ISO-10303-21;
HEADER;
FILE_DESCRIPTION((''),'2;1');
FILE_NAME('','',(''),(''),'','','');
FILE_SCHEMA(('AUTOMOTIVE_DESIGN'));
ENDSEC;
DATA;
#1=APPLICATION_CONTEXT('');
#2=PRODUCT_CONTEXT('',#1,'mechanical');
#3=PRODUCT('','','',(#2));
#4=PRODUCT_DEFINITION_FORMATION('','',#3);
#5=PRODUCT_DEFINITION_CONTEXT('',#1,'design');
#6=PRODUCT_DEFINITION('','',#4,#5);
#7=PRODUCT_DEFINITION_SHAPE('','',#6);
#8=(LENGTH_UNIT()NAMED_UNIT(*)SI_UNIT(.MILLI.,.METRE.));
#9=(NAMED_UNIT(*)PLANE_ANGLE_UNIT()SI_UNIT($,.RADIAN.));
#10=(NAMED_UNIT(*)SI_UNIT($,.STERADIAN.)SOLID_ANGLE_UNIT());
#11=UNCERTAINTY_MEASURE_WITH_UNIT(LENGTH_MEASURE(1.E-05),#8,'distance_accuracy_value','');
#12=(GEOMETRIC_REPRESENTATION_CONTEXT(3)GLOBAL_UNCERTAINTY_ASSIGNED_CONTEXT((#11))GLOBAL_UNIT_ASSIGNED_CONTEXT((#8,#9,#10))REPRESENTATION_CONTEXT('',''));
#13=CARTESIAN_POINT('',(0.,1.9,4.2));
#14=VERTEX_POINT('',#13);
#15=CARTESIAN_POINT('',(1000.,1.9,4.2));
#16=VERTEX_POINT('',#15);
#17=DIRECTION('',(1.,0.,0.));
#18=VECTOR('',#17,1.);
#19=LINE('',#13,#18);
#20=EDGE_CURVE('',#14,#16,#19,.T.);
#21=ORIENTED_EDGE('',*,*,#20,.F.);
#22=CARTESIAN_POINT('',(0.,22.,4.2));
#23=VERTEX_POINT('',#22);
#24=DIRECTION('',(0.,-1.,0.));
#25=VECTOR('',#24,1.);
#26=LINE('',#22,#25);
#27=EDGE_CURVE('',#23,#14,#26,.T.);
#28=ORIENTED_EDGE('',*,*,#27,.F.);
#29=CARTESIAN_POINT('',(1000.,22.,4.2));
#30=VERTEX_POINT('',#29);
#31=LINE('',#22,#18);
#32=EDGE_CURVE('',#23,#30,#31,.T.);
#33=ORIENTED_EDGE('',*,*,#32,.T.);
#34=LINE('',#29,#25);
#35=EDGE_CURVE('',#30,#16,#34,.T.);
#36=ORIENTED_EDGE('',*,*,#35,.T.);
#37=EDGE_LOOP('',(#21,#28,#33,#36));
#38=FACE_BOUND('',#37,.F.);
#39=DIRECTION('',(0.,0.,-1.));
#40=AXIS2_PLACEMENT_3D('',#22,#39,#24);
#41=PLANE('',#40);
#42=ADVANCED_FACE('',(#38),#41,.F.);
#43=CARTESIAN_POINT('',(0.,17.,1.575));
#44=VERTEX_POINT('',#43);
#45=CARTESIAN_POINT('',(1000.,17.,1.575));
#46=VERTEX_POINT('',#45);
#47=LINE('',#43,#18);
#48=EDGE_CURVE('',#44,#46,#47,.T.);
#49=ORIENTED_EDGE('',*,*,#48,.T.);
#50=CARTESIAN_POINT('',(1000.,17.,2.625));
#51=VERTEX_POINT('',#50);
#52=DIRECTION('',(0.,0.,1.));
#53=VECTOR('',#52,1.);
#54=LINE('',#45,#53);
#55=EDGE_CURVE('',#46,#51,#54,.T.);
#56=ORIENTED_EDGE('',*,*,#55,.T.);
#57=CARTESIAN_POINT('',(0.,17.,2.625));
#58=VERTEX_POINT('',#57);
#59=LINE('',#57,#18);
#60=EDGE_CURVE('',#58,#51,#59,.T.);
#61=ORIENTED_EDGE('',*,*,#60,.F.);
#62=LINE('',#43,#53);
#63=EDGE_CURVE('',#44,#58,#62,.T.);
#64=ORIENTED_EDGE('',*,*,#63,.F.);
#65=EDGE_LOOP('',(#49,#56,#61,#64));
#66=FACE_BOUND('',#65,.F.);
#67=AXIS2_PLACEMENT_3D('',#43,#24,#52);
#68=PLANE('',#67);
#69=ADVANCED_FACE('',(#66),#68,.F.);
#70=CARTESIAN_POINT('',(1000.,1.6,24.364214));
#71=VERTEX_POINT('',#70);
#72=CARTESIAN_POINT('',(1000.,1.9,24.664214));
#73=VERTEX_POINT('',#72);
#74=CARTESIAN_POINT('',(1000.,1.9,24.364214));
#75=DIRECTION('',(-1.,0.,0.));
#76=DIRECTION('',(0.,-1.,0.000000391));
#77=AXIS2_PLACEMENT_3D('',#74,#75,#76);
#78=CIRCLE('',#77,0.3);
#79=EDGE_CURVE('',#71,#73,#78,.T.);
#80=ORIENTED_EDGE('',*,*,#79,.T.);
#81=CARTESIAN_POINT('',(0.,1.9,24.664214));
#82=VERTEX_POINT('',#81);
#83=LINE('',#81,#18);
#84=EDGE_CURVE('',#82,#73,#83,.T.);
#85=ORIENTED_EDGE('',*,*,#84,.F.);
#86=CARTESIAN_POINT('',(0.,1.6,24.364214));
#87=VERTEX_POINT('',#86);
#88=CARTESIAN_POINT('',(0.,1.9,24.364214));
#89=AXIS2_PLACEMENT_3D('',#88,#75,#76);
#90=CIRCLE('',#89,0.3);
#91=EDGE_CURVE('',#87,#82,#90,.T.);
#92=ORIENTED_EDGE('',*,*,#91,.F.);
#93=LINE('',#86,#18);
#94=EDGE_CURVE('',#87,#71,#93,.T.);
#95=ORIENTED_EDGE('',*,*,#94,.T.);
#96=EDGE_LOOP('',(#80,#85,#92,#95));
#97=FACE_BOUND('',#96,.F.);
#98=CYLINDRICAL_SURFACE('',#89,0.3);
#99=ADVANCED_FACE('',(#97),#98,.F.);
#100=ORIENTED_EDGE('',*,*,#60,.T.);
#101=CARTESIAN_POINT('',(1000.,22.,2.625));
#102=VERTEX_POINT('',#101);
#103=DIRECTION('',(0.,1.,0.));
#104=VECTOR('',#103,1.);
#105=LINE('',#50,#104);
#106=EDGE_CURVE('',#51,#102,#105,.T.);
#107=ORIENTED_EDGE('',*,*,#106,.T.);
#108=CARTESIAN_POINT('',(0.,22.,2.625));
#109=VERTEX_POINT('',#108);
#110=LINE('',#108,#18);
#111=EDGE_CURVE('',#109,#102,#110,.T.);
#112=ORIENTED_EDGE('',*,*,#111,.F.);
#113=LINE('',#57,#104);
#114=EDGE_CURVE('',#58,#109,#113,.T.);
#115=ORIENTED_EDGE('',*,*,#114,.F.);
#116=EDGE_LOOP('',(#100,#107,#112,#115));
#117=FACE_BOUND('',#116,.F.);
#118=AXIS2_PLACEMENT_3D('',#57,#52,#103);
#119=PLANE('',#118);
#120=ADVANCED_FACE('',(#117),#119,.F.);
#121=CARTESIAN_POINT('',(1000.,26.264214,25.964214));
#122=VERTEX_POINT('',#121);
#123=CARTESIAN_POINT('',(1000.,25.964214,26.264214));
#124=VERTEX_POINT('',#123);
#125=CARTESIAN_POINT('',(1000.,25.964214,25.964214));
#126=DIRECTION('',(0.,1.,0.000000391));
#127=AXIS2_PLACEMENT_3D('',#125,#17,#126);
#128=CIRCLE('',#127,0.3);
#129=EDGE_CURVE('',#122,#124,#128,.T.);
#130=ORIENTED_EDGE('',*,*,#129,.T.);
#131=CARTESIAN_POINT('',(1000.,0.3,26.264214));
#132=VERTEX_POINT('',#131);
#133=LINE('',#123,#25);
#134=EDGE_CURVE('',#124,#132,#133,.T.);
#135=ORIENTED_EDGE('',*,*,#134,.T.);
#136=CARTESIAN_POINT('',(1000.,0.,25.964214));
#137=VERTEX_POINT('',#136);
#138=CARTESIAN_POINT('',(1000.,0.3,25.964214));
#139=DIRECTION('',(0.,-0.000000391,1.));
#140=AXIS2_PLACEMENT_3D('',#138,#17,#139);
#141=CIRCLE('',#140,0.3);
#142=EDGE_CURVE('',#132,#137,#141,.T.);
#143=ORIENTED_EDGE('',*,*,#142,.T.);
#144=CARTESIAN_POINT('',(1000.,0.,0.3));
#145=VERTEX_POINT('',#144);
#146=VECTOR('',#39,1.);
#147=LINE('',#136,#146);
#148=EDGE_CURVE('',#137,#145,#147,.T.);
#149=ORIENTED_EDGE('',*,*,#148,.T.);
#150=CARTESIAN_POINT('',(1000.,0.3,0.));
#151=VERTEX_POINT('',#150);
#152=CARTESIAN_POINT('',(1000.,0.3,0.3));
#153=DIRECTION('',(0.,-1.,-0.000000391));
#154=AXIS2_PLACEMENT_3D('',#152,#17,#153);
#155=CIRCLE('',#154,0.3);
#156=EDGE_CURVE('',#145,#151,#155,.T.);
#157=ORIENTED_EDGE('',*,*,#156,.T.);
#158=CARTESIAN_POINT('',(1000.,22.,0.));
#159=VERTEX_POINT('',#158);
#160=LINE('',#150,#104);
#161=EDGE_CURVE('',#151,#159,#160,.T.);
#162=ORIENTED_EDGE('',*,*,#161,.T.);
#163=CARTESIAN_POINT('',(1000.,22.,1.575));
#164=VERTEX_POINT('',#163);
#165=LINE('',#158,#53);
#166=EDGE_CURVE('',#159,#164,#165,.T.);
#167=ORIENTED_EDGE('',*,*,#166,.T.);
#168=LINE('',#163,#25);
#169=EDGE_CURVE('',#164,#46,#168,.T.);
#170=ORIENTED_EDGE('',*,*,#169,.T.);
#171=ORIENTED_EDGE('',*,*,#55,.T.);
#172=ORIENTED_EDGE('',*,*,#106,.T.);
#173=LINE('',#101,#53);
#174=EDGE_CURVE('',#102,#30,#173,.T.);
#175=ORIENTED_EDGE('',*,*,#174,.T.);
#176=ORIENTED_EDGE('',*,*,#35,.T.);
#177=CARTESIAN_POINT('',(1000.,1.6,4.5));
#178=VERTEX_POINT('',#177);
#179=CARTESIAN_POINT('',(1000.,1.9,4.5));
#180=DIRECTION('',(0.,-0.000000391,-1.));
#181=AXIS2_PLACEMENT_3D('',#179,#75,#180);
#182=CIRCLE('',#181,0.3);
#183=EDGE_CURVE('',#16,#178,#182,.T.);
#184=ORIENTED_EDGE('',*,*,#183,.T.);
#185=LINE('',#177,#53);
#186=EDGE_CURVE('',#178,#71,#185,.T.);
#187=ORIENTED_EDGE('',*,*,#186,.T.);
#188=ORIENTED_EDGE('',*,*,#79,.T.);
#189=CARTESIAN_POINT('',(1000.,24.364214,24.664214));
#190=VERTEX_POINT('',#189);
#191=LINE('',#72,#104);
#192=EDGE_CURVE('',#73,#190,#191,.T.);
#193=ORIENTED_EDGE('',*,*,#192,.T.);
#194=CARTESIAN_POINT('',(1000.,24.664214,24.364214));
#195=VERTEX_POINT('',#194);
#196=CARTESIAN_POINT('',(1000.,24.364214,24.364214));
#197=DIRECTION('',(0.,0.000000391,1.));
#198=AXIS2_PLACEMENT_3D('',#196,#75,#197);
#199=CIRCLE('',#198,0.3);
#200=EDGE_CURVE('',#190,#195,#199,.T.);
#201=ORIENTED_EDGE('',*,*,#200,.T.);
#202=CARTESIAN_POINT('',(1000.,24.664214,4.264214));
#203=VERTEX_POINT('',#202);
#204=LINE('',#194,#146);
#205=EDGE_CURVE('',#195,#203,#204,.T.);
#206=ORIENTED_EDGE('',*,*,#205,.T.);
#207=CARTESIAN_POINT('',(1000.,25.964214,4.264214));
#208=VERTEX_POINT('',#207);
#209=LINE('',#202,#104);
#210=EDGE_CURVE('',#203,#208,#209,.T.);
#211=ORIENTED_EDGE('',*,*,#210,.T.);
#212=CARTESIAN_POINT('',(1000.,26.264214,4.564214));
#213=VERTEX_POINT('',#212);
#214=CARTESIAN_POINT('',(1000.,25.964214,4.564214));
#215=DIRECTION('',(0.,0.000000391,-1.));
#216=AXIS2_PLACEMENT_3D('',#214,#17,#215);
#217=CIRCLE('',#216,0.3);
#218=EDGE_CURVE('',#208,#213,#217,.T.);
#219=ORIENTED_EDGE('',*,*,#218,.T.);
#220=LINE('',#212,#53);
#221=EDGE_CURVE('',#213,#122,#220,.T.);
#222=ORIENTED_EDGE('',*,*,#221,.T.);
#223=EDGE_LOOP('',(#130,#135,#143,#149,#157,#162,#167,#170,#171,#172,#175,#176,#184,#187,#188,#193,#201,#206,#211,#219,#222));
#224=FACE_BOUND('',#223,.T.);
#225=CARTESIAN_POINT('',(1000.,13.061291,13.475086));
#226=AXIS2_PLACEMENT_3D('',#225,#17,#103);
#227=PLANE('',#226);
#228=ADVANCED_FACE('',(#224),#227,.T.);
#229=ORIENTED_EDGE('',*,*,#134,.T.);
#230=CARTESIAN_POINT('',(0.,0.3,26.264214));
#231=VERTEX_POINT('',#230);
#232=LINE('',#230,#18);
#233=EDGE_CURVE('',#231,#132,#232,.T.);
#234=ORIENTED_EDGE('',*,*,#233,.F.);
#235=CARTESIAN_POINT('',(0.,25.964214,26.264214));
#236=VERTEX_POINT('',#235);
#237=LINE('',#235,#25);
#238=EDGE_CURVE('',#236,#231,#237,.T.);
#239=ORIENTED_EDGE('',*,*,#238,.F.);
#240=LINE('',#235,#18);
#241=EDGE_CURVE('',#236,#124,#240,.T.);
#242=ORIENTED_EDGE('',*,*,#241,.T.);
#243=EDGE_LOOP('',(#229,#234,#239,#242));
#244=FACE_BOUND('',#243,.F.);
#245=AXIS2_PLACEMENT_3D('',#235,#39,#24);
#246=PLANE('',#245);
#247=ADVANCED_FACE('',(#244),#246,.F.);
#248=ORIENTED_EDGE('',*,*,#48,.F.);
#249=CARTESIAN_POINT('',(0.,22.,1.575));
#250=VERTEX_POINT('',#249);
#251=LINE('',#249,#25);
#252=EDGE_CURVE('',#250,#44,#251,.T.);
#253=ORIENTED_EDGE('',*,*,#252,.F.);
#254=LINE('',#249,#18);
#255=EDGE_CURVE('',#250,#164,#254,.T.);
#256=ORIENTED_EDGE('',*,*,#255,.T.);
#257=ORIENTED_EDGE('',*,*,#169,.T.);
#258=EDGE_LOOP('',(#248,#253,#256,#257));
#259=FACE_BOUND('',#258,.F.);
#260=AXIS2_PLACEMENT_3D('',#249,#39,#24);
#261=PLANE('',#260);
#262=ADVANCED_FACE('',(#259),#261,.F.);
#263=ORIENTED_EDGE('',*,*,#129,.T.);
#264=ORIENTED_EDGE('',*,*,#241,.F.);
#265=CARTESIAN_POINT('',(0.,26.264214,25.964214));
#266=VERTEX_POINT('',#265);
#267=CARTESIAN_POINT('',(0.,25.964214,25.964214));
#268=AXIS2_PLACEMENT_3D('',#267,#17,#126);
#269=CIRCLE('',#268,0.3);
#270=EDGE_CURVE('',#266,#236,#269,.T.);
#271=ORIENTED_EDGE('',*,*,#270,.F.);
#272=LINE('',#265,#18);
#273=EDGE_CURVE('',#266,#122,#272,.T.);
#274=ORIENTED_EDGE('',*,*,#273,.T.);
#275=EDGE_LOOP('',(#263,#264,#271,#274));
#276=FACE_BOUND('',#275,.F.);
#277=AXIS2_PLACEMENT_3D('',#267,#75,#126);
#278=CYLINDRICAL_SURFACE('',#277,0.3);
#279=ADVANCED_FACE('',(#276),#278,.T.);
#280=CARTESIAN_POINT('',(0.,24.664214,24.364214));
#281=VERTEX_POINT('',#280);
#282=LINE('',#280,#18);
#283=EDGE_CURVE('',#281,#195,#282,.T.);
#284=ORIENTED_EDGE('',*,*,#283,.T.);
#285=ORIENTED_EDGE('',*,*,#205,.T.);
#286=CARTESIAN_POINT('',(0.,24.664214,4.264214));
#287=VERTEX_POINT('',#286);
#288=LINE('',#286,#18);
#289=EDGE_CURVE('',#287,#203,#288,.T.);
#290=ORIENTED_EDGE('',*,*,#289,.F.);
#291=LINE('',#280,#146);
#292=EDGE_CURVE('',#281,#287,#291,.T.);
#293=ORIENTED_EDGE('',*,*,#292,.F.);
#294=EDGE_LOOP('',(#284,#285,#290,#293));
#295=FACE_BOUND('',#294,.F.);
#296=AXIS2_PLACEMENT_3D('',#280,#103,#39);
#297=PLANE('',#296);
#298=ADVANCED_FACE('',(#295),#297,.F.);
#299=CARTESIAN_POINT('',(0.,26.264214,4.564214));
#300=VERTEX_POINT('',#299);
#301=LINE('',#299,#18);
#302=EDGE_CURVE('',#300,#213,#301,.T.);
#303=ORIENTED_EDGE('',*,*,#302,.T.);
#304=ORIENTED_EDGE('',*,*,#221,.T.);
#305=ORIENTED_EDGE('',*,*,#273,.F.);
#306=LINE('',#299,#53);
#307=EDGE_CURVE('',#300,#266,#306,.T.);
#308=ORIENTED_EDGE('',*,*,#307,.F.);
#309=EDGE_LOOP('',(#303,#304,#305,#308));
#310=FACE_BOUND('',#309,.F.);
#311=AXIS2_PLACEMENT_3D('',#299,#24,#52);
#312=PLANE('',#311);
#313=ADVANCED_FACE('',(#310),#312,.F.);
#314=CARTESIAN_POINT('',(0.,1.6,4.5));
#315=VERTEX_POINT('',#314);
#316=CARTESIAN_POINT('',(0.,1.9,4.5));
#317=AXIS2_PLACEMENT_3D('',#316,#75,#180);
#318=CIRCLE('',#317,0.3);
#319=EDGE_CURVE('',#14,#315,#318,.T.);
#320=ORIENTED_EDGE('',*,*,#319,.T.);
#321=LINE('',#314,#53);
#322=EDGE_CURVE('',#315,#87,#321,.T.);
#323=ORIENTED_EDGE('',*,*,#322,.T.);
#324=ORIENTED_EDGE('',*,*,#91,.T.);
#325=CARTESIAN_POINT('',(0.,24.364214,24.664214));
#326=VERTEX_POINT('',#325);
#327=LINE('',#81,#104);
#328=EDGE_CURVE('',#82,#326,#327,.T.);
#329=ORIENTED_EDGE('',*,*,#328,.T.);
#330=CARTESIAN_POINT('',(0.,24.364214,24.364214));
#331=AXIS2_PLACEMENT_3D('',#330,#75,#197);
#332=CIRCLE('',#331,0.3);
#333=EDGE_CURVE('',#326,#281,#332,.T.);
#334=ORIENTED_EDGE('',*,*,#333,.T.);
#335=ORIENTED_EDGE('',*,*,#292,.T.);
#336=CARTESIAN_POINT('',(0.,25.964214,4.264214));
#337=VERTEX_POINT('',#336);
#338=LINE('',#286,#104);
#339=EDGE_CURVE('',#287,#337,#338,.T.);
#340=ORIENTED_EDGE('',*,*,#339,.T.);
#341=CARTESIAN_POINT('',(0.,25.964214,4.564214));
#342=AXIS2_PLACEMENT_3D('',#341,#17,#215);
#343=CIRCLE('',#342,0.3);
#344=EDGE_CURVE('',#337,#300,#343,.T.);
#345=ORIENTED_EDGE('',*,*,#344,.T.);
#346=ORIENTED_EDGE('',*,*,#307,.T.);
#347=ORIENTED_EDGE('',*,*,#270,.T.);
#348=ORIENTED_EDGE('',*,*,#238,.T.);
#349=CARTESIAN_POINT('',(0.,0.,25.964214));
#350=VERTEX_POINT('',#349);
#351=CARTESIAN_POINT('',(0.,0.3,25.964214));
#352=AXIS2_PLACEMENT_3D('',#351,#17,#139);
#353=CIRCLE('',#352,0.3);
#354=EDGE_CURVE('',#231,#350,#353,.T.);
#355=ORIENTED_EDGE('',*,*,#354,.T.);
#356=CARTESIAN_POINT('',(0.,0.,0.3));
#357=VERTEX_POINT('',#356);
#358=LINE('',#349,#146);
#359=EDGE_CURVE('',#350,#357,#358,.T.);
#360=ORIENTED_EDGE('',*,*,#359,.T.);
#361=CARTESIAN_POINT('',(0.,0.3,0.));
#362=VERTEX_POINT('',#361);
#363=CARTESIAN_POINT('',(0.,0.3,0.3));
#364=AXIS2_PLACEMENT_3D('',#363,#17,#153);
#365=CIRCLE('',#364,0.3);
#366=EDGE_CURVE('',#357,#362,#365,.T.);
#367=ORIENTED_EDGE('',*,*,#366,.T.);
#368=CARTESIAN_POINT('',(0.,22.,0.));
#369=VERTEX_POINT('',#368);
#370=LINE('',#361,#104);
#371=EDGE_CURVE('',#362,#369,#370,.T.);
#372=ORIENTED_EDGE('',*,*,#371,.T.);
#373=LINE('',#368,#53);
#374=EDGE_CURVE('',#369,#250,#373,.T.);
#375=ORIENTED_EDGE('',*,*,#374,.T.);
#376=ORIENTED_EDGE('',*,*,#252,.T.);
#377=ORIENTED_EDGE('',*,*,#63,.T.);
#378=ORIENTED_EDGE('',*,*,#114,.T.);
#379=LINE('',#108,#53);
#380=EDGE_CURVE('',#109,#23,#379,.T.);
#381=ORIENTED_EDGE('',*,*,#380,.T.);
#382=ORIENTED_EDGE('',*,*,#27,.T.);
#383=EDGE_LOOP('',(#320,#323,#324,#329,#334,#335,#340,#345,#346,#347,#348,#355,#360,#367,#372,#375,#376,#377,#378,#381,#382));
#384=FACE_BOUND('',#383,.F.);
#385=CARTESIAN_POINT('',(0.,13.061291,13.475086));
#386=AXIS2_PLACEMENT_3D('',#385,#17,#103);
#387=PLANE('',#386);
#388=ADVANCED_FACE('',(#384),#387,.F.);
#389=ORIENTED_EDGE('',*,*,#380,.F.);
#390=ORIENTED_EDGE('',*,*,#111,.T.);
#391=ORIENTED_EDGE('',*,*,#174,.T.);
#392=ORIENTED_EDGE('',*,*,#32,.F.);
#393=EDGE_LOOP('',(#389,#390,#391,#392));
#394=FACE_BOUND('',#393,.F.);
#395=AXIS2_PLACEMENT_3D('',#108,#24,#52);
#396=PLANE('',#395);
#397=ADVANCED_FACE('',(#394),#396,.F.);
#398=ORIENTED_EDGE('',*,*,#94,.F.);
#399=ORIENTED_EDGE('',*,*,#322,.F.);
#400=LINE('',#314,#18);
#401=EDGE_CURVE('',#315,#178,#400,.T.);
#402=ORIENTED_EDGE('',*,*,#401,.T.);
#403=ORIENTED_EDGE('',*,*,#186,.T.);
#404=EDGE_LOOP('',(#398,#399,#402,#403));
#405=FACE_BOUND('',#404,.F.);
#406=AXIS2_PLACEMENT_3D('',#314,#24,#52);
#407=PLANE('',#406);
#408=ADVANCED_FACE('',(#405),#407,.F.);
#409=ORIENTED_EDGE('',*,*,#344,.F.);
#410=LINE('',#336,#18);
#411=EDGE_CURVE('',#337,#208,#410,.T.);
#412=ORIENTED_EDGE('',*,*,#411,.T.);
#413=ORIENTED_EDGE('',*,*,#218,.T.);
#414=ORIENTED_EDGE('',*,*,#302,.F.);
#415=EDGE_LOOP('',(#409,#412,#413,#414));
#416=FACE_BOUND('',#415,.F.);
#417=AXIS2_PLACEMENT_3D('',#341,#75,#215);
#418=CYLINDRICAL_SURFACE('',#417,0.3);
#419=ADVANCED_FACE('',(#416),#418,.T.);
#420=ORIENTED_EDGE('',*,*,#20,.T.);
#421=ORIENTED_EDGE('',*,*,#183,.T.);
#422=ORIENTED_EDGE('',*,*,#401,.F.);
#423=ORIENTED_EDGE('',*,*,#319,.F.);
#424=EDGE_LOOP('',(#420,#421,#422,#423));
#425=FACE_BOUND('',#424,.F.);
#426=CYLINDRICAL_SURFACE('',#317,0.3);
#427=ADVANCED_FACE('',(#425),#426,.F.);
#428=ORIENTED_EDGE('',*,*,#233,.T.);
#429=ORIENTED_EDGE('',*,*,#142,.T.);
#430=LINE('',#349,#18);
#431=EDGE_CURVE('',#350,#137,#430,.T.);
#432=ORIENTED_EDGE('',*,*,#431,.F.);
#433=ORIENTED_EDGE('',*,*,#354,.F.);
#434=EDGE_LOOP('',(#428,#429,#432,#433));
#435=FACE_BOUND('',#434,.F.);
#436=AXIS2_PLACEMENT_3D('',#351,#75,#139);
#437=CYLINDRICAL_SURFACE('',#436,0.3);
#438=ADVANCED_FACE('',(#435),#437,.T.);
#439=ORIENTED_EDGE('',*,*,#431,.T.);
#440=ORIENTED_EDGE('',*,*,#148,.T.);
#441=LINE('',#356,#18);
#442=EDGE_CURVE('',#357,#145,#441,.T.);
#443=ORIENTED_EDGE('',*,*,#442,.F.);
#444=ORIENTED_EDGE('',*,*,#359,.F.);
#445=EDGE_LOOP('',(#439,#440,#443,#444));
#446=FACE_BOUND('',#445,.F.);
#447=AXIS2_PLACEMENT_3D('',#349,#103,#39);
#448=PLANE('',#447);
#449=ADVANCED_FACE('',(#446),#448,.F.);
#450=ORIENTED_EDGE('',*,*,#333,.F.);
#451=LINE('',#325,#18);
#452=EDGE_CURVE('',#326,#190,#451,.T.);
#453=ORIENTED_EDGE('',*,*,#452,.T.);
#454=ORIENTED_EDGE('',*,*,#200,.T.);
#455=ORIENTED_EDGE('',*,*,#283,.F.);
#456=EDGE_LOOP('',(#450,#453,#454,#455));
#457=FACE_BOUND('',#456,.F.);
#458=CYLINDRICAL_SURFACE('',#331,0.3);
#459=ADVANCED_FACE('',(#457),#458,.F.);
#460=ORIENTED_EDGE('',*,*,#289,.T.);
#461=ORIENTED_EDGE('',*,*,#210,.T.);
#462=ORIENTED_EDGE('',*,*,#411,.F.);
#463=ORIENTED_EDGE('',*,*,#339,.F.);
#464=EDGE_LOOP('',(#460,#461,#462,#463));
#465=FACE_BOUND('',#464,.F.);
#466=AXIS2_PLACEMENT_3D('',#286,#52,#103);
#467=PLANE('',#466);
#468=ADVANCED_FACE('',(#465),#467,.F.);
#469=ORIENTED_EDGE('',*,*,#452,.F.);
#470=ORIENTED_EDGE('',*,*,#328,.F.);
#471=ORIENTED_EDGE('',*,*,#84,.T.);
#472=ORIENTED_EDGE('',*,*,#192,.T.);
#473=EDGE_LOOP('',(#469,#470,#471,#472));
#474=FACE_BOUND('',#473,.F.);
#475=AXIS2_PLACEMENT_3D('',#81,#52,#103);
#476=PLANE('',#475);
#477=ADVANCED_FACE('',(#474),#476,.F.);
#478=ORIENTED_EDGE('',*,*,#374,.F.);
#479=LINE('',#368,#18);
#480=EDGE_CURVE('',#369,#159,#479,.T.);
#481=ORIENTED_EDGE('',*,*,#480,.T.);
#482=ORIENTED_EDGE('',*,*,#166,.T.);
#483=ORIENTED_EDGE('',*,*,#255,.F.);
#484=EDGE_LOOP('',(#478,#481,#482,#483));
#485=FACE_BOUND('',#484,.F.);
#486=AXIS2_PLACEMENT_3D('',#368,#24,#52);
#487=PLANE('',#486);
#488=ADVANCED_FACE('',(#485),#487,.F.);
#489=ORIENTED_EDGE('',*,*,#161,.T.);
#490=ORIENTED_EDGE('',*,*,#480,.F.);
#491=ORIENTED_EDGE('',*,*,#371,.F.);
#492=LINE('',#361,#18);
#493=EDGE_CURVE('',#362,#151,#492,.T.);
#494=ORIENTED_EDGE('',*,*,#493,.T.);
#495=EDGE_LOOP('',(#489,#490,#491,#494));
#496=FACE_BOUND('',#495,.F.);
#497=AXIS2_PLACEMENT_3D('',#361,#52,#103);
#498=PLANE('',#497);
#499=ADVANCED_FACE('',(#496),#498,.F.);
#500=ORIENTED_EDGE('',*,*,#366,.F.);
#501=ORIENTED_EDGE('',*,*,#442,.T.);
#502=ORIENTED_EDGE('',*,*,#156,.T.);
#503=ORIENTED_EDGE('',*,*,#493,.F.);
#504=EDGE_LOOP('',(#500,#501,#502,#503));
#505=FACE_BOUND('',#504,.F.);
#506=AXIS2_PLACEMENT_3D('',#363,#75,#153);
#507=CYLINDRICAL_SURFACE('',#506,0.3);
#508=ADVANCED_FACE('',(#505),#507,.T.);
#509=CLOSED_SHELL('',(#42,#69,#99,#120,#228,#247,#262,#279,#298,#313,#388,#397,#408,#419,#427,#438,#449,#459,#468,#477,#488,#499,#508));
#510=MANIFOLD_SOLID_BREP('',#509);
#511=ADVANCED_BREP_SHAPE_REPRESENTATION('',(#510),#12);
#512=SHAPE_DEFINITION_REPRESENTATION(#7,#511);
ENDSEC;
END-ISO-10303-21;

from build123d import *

# Parameters (mm, degrees)
F1_DEPTH = 1000


with BuildPart() as f1:
    # F0 (on Right) → F1 (new body)
    with BuildSketch(Plane.YZ):
        with BuildLine():
            ThreePointArc((26.264214, 25.964214), (26.176346, 26.176346), (25.964214, 26.264214))
            Line((25.964214, 26.264214), (0.3, 26.264214))
            ThreePointArc((0.3, 26.264214), (0.087868, 26.176346), (0, 25.964214))
            Line((0, 25.964214), (0, 0.3))
            ThreePointArc((0, 0.3), (0.087868, 0.087868), (0.3, 0))
            Line((0.3, 0), (22, 0))
            Line((22, 0), (22, 1.575))
            Line((22, 1.575), (17, 1.575))
            Line((17, 1.575), (17, 2.625))
            Line((17, 2.625), (22, 2.625))
            Line((22, 2.625), (22, 4.2))
            Line((22, 4.2), (1.9, 4.2))
            ThreePointArc((1.9, 4.2), (1.687868, 4.287868), (1.6, 4.5))
            Line((1.6, 4.5), (1.6, 24.364214))
            ThreePointArc((1.6, 24.364214), (1.687868, 24.576346), (1.9, 24.664214))
            Line((1.9, 24.664214), (24.364214, 24.664214))
            ThreePointArc((24.364214, 24.664214), (24.576346, 24.576346), (24.664214, 24.364214))
            Line((24.664214, 24.364214), (24.664214, 4.264214))
            Line((24.664214, 4.264214), (25.964214, 4.264214))
            ThreePointArc((25.964214, 4.264214), (26.176346, 4.352082), (26.264214, 4.564214))
            Line((26.264214, 4.564214), (26.264214, 25.964214))
        make_face()
    extrude(amount=F1_DEPTH)


solid = f1.part
